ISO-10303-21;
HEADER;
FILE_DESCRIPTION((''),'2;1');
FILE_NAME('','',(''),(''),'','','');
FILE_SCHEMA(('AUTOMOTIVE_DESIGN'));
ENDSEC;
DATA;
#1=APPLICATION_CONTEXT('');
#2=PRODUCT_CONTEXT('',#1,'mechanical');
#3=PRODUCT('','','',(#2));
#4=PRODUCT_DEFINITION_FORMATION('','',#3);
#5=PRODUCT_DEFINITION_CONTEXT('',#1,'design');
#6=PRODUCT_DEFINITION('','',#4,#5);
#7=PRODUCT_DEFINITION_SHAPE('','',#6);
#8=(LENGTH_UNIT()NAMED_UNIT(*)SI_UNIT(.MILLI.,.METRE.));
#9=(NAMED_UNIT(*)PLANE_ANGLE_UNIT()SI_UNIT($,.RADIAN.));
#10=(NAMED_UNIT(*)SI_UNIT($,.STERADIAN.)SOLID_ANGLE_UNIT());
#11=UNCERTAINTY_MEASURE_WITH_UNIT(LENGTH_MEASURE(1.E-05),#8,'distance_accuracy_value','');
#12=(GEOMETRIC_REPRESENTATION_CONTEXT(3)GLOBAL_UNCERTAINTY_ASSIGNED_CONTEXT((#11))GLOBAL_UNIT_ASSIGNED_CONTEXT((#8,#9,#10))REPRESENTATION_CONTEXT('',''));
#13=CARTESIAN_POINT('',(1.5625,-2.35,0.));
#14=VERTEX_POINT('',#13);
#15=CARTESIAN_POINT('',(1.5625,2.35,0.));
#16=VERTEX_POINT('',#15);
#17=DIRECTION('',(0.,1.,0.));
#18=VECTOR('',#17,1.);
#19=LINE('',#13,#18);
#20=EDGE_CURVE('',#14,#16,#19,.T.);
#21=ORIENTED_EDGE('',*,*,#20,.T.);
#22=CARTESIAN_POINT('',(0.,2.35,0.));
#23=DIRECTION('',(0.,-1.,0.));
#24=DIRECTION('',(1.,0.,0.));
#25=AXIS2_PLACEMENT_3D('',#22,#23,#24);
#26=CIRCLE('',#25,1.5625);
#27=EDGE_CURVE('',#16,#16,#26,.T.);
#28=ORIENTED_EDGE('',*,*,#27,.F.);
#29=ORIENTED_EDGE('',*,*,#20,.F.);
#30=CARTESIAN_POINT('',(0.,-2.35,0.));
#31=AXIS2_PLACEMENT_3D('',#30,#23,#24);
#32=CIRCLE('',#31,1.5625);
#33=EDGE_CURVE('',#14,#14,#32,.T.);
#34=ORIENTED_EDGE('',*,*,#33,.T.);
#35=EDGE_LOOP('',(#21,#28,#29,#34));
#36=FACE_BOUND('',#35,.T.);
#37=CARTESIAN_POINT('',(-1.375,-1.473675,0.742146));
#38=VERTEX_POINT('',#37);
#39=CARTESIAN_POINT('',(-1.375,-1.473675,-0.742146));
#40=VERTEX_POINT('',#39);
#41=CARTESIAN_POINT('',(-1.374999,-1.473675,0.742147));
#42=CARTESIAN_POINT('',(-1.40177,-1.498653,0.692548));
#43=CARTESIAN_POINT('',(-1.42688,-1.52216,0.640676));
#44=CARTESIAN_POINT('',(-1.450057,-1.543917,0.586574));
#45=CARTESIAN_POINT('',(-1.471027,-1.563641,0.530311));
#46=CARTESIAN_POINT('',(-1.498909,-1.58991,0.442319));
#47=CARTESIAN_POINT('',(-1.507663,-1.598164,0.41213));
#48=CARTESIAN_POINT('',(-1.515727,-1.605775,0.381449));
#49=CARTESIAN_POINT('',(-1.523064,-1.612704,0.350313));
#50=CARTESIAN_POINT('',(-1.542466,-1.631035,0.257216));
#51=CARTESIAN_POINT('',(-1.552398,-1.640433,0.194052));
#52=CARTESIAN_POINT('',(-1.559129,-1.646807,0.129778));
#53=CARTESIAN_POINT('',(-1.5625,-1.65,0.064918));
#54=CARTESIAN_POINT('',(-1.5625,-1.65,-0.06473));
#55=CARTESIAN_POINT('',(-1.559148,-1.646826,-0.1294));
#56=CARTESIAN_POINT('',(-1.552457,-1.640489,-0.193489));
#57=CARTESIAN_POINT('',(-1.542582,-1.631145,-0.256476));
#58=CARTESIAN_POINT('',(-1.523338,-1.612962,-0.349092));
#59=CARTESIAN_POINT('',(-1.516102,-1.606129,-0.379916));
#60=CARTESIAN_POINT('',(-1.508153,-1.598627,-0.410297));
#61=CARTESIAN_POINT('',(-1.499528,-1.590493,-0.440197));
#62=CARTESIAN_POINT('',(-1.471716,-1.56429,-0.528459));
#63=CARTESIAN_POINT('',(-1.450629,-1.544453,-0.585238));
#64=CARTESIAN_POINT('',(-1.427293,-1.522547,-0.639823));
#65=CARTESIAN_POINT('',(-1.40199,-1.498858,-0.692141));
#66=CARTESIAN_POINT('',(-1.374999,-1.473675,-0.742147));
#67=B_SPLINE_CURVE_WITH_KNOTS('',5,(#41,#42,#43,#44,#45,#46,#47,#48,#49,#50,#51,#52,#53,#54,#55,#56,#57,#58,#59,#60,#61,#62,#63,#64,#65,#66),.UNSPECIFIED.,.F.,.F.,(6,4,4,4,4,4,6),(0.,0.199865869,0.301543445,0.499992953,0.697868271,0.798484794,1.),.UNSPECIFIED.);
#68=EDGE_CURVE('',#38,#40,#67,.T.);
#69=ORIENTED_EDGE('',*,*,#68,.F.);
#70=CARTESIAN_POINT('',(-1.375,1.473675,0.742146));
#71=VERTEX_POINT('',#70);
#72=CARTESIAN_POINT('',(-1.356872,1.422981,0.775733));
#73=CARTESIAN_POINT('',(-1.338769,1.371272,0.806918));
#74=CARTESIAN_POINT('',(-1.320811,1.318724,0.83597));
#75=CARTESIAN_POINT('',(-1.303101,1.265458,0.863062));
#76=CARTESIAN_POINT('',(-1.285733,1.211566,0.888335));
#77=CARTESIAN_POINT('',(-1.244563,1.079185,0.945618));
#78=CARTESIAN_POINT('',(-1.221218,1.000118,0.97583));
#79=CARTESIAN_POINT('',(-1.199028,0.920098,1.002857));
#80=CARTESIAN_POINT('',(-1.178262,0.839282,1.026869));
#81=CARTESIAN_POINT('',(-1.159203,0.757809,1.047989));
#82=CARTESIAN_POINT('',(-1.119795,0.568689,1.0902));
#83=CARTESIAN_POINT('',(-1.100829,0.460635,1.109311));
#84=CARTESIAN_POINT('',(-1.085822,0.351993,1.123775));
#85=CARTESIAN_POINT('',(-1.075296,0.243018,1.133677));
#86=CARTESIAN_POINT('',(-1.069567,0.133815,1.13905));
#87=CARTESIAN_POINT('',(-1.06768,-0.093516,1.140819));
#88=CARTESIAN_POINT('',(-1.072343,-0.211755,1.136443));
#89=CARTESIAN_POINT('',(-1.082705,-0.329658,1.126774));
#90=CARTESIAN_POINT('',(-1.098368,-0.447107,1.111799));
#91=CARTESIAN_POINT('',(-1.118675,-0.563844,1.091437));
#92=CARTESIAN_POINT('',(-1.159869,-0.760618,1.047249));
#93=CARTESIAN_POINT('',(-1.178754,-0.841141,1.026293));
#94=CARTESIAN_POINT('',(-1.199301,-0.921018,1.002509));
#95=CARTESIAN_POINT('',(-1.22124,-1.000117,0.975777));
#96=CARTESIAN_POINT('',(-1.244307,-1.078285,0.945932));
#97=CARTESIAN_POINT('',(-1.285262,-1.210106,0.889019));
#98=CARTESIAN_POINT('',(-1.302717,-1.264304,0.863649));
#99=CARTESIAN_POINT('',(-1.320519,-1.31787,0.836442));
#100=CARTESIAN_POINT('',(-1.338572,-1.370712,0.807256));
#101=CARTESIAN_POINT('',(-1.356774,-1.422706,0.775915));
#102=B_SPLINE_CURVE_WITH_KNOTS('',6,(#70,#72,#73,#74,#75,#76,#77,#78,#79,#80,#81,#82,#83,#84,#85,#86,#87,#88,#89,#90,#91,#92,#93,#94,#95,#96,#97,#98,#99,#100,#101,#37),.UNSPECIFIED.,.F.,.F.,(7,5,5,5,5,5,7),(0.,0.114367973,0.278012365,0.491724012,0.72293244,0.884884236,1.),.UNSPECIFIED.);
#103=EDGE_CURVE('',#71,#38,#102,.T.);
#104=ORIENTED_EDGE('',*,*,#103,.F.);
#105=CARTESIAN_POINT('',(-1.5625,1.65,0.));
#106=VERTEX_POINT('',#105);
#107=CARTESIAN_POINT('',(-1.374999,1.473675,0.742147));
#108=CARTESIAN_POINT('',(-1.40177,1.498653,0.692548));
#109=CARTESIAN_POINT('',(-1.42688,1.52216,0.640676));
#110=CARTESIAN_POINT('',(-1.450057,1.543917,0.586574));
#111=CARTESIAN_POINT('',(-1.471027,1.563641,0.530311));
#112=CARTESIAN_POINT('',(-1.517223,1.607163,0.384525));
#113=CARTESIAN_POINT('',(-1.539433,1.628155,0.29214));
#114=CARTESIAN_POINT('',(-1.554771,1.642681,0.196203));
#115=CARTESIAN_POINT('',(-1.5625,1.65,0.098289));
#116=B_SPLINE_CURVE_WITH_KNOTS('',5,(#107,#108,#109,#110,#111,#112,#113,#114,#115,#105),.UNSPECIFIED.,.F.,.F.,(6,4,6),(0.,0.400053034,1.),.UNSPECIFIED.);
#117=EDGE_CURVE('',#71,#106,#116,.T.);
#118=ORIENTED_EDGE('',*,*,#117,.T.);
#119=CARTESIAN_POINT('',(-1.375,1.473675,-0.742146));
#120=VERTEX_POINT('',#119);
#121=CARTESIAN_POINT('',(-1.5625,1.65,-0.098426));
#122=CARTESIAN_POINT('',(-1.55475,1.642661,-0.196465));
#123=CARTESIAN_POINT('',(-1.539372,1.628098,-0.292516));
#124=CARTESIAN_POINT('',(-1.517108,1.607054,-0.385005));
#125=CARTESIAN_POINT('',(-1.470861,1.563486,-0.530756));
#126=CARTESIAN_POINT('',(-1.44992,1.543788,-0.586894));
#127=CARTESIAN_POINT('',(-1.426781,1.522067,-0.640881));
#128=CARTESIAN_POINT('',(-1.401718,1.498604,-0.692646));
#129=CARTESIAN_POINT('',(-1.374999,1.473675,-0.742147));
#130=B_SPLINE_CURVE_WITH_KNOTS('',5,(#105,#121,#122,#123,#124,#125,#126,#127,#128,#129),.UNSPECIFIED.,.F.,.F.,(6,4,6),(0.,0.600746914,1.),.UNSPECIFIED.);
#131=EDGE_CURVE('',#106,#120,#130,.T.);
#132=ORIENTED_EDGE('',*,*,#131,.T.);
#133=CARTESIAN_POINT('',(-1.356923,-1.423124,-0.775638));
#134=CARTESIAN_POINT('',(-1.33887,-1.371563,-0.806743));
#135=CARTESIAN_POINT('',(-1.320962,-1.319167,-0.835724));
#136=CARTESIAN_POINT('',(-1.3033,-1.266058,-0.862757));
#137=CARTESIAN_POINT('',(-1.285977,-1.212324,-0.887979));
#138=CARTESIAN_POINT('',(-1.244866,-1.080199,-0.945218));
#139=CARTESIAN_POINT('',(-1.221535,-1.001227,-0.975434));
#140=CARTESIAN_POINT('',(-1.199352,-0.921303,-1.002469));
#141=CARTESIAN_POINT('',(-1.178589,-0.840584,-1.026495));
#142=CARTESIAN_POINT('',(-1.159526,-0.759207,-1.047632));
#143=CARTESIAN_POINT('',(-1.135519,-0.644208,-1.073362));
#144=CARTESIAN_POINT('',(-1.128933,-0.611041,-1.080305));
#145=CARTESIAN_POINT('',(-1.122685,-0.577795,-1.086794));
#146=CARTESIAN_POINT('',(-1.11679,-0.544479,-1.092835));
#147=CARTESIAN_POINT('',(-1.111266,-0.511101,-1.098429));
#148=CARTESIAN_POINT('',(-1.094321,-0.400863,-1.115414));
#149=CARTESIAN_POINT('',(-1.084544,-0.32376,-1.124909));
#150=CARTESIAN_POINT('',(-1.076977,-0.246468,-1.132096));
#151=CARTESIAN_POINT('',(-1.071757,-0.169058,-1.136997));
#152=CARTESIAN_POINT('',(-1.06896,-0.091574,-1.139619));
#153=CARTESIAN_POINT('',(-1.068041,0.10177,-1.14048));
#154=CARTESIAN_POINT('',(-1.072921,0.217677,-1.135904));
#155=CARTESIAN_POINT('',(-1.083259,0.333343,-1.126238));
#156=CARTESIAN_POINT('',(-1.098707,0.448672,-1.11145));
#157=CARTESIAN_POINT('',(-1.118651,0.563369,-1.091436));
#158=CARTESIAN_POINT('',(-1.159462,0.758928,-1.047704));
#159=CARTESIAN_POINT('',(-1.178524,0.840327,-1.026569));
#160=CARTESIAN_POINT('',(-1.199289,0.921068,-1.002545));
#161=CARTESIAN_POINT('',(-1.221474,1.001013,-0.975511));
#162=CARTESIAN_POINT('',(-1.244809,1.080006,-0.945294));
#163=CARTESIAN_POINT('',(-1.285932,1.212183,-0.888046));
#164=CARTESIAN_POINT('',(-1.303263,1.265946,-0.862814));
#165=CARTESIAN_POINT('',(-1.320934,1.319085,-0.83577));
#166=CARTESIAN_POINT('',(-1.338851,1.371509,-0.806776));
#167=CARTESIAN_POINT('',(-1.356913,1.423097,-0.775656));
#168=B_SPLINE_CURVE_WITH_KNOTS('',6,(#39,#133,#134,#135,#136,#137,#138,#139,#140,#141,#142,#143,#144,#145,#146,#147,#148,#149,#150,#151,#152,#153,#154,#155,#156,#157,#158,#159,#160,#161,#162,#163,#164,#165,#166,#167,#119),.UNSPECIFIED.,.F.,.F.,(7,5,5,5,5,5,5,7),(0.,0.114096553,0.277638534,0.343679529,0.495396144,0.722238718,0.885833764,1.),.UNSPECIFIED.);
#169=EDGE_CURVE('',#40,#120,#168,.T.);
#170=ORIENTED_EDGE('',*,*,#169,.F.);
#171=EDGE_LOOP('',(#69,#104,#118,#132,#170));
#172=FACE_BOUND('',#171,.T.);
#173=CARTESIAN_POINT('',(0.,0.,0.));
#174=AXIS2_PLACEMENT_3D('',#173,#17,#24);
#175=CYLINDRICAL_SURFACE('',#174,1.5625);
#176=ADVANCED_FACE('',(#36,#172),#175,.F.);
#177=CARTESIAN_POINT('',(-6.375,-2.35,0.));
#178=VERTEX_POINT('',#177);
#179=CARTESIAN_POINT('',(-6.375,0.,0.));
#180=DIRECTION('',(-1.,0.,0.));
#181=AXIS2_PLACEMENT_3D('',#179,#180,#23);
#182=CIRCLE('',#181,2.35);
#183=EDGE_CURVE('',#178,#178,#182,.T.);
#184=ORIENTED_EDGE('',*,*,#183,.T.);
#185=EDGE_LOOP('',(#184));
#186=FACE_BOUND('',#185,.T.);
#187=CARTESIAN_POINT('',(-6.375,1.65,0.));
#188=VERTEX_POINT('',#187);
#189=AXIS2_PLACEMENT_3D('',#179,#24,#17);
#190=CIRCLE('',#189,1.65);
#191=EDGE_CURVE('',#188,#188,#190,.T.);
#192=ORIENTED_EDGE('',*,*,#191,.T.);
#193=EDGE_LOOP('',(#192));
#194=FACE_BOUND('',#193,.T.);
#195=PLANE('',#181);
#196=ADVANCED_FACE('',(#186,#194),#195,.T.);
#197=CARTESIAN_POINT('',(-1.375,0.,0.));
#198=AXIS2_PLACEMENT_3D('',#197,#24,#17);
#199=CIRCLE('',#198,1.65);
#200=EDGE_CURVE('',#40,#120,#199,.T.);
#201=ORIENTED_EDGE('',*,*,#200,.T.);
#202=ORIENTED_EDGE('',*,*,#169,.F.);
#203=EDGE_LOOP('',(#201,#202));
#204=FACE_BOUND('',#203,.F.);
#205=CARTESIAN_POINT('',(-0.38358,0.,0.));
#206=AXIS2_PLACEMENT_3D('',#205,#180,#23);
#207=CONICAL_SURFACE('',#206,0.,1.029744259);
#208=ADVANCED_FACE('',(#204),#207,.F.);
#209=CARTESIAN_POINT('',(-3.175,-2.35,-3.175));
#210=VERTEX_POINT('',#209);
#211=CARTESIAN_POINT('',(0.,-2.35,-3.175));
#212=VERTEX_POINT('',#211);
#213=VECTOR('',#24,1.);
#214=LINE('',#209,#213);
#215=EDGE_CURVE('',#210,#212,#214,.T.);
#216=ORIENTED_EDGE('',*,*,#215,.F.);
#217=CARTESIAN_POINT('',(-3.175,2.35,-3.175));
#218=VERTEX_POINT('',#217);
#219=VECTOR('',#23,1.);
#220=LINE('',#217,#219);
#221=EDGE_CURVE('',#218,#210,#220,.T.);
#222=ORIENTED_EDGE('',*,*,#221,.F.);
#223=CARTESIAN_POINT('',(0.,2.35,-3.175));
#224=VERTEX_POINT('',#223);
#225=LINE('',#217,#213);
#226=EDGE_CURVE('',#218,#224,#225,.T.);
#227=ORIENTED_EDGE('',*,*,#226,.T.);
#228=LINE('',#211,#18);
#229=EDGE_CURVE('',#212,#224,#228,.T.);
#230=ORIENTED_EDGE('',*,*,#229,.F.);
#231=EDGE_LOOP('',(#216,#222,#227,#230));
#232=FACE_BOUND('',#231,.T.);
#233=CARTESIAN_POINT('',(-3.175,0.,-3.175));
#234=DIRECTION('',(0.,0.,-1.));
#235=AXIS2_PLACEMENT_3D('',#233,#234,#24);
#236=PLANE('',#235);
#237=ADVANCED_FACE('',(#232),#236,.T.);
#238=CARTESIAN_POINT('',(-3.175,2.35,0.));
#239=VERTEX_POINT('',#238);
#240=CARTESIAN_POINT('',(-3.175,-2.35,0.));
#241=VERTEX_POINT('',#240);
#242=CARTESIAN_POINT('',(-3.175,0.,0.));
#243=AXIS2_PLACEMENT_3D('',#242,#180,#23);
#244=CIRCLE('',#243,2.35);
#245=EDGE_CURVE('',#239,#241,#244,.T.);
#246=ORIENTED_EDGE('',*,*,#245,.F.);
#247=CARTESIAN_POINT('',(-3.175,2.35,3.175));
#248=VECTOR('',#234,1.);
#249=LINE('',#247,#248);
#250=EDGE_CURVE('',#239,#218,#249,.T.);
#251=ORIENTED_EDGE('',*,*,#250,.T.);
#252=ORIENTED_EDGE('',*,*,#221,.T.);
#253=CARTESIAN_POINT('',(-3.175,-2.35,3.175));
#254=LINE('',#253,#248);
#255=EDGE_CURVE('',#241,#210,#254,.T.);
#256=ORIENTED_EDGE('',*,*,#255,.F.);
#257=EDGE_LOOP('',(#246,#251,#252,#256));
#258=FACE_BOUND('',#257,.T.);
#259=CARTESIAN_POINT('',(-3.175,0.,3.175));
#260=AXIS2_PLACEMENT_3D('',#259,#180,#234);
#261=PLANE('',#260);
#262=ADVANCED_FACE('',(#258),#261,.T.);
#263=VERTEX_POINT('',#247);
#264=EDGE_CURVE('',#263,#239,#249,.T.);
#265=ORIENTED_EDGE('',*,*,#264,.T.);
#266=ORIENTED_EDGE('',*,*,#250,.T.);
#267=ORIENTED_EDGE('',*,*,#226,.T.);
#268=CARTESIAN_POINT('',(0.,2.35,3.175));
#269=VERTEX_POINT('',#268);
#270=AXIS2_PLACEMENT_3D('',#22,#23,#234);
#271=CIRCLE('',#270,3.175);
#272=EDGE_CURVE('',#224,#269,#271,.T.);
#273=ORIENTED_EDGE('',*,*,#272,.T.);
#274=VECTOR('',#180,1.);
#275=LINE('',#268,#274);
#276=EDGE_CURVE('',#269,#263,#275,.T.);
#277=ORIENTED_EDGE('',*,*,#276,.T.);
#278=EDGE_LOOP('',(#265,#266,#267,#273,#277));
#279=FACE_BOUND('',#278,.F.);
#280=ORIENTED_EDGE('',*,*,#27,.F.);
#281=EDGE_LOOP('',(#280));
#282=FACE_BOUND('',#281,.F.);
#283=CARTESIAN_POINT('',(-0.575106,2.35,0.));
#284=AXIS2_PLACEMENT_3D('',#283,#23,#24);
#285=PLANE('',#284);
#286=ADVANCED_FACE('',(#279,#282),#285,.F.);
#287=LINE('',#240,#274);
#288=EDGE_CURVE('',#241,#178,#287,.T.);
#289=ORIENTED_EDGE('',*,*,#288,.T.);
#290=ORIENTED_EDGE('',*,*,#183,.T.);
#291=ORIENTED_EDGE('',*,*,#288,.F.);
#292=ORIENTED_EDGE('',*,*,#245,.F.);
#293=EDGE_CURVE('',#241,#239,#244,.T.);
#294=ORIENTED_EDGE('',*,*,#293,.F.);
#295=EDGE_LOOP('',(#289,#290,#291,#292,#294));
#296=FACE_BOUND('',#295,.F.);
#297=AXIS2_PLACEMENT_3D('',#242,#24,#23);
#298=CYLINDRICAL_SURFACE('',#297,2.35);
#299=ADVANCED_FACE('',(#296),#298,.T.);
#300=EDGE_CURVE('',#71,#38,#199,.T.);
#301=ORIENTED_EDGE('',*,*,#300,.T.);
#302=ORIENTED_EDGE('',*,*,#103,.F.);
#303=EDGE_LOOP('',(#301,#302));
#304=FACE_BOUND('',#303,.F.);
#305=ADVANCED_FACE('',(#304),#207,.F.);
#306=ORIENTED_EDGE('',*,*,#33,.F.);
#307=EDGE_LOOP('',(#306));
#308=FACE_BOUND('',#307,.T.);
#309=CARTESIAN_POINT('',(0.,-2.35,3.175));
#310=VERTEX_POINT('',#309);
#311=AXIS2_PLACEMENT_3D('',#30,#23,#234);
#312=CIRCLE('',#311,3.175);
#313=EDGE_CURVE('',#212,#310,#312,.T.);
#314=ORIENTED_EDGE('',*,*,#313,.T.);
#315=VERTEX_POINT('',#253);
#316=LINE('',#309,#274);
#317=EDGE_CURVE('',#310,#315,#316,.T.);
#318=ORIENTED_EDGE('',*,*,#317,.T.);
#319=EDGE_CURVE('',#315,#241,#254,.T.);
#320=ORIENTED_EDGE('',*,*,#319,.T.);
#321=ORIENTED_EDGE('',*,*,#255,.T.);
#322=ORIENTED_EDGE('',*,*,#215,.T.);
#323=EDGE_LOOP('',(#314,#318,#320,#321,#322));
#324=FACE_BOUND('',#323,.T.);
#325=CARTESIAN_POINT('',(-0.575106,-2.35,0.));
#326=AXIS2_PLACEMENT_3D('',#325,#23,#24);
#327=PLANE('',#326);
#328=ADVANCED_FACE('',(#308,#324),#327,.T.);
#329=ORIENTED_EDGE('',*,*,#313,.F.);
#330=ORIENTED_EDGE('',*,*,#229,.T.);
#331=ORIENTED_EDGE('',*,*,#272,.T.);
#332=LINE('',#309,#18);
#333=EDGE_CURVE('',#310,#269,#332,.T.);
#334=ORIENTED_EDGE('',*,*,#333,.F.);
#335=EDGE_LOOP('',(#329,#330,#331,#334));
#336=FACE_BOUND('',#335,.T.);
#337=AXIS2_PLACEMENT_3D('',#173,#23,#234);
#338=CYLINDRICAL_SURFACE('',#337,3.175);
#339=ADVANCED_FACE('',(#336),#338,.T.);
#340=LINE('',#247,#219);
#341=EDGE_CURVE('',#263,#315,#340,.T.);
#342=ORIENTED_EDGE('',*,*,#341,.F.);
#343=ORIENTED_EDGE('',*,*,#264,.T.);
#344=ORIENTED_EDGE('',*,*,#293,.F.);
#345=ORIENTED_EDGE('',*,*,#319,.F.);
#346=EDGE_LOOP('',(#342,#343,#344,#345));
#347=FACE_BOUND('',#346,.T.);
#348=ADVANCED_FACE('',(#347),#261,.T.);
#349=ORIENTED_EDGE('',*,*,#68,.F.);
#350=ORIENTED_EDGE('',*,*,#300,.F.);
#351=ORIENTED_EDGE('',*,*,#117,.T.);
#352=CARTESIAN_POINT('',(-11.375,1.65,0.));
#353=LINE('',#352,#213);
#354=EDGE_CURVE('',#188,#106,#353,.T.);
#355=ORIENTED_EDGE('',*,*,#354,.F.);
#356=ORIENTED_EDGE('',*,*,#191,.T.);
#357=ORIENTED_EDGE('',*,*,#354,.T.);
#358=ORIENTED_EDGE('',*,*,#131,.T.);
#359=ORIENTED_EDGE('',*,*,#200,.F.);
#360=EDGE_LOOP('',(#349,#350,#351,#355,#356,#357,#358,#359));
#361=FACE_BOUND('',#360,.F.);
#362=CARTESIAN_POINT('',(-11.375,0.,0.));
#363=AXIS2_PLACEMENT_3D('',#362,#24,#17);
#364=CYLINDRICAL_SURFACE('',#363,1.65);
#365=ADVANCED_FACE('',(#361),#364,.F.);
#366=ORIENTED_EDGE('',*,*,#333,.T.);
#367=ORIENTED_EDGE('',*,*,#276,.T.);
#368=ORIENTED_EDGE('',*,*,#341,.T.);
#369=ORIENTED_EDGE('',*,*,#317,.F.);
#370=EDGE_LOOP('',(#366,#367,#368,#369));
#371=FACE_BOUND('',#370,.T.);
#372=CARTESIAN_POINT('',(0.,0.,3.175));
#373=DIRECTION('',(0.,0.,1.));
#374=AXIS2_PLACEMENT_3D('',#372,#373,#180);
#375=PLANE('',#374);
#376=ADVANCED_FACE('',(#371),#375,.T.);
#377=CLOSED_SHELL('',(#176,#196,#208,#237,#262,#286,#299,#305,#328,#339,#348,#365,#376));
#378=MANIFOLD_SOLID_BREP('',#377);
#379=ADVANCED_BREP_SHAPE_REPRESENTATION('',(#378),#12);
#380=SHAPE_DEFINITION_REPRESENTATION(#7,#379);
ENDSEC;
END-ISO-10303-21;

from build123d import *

# Parameters (mm, degrees)
F0_R     = 1.5625
F1_DEPTH = 2.35
F3_DEPTH = 3.2
F5_D     = 3.3
F5_DEPTH = 5
F5_TIP   = 0.9914200214


with BuildPart() as f1:
    # F0 (on Front) → F1 (new body, symmetric)
    with BuildSketch(Plane.XZ):
        with BuildLine():
            Line((0, 3.175), (-3.175, 3.175))
            Line((-3.175, 3.175), (-3.175, -3.175))
            Line((-3.175, -3.175), (0, -3.175))
            ThreePointArc((0, -3.175), (3.175, 0), (0, 3.175))
        make_face()
        Circle(F0_R, mode=Mode.SUBTRACT)
    extrude(amount=F1_DEPTH, both=True)

    # F2 (on face) → F3 (join)
    with BuildSketch(Plane(origin=(-3.175, 0, 0), x_dir=(0, -1, 0), z_dir=(-1, 0, 0))):
        with BuildLine():
            ThreePointArc((-2.35, 0), (0, -2.35), (2.35, 0))
            ThreePointArc((2.35, 0), (0, 2.35), (-2.35, 0))
        make_face()
    extrude(amount=F3_DEPTH)

    # F5
    with Locations(Plane(origin=(-6.375, 0, 0), x_dir=(0, -1, 0), z_dir=(-1, 0, 0))):
        with Locations((0, 0)):
            Hole(F5_D / 2, depth=F5_DEPTH)
            with Locations((0, 0, -(F5_DEPTH + F5_TIP / 2))):  # 118° drill point
                Cone(0, F5_D / 2, F5_TIP, mode=Mode.SUBTRACT)


solid = f1.part
